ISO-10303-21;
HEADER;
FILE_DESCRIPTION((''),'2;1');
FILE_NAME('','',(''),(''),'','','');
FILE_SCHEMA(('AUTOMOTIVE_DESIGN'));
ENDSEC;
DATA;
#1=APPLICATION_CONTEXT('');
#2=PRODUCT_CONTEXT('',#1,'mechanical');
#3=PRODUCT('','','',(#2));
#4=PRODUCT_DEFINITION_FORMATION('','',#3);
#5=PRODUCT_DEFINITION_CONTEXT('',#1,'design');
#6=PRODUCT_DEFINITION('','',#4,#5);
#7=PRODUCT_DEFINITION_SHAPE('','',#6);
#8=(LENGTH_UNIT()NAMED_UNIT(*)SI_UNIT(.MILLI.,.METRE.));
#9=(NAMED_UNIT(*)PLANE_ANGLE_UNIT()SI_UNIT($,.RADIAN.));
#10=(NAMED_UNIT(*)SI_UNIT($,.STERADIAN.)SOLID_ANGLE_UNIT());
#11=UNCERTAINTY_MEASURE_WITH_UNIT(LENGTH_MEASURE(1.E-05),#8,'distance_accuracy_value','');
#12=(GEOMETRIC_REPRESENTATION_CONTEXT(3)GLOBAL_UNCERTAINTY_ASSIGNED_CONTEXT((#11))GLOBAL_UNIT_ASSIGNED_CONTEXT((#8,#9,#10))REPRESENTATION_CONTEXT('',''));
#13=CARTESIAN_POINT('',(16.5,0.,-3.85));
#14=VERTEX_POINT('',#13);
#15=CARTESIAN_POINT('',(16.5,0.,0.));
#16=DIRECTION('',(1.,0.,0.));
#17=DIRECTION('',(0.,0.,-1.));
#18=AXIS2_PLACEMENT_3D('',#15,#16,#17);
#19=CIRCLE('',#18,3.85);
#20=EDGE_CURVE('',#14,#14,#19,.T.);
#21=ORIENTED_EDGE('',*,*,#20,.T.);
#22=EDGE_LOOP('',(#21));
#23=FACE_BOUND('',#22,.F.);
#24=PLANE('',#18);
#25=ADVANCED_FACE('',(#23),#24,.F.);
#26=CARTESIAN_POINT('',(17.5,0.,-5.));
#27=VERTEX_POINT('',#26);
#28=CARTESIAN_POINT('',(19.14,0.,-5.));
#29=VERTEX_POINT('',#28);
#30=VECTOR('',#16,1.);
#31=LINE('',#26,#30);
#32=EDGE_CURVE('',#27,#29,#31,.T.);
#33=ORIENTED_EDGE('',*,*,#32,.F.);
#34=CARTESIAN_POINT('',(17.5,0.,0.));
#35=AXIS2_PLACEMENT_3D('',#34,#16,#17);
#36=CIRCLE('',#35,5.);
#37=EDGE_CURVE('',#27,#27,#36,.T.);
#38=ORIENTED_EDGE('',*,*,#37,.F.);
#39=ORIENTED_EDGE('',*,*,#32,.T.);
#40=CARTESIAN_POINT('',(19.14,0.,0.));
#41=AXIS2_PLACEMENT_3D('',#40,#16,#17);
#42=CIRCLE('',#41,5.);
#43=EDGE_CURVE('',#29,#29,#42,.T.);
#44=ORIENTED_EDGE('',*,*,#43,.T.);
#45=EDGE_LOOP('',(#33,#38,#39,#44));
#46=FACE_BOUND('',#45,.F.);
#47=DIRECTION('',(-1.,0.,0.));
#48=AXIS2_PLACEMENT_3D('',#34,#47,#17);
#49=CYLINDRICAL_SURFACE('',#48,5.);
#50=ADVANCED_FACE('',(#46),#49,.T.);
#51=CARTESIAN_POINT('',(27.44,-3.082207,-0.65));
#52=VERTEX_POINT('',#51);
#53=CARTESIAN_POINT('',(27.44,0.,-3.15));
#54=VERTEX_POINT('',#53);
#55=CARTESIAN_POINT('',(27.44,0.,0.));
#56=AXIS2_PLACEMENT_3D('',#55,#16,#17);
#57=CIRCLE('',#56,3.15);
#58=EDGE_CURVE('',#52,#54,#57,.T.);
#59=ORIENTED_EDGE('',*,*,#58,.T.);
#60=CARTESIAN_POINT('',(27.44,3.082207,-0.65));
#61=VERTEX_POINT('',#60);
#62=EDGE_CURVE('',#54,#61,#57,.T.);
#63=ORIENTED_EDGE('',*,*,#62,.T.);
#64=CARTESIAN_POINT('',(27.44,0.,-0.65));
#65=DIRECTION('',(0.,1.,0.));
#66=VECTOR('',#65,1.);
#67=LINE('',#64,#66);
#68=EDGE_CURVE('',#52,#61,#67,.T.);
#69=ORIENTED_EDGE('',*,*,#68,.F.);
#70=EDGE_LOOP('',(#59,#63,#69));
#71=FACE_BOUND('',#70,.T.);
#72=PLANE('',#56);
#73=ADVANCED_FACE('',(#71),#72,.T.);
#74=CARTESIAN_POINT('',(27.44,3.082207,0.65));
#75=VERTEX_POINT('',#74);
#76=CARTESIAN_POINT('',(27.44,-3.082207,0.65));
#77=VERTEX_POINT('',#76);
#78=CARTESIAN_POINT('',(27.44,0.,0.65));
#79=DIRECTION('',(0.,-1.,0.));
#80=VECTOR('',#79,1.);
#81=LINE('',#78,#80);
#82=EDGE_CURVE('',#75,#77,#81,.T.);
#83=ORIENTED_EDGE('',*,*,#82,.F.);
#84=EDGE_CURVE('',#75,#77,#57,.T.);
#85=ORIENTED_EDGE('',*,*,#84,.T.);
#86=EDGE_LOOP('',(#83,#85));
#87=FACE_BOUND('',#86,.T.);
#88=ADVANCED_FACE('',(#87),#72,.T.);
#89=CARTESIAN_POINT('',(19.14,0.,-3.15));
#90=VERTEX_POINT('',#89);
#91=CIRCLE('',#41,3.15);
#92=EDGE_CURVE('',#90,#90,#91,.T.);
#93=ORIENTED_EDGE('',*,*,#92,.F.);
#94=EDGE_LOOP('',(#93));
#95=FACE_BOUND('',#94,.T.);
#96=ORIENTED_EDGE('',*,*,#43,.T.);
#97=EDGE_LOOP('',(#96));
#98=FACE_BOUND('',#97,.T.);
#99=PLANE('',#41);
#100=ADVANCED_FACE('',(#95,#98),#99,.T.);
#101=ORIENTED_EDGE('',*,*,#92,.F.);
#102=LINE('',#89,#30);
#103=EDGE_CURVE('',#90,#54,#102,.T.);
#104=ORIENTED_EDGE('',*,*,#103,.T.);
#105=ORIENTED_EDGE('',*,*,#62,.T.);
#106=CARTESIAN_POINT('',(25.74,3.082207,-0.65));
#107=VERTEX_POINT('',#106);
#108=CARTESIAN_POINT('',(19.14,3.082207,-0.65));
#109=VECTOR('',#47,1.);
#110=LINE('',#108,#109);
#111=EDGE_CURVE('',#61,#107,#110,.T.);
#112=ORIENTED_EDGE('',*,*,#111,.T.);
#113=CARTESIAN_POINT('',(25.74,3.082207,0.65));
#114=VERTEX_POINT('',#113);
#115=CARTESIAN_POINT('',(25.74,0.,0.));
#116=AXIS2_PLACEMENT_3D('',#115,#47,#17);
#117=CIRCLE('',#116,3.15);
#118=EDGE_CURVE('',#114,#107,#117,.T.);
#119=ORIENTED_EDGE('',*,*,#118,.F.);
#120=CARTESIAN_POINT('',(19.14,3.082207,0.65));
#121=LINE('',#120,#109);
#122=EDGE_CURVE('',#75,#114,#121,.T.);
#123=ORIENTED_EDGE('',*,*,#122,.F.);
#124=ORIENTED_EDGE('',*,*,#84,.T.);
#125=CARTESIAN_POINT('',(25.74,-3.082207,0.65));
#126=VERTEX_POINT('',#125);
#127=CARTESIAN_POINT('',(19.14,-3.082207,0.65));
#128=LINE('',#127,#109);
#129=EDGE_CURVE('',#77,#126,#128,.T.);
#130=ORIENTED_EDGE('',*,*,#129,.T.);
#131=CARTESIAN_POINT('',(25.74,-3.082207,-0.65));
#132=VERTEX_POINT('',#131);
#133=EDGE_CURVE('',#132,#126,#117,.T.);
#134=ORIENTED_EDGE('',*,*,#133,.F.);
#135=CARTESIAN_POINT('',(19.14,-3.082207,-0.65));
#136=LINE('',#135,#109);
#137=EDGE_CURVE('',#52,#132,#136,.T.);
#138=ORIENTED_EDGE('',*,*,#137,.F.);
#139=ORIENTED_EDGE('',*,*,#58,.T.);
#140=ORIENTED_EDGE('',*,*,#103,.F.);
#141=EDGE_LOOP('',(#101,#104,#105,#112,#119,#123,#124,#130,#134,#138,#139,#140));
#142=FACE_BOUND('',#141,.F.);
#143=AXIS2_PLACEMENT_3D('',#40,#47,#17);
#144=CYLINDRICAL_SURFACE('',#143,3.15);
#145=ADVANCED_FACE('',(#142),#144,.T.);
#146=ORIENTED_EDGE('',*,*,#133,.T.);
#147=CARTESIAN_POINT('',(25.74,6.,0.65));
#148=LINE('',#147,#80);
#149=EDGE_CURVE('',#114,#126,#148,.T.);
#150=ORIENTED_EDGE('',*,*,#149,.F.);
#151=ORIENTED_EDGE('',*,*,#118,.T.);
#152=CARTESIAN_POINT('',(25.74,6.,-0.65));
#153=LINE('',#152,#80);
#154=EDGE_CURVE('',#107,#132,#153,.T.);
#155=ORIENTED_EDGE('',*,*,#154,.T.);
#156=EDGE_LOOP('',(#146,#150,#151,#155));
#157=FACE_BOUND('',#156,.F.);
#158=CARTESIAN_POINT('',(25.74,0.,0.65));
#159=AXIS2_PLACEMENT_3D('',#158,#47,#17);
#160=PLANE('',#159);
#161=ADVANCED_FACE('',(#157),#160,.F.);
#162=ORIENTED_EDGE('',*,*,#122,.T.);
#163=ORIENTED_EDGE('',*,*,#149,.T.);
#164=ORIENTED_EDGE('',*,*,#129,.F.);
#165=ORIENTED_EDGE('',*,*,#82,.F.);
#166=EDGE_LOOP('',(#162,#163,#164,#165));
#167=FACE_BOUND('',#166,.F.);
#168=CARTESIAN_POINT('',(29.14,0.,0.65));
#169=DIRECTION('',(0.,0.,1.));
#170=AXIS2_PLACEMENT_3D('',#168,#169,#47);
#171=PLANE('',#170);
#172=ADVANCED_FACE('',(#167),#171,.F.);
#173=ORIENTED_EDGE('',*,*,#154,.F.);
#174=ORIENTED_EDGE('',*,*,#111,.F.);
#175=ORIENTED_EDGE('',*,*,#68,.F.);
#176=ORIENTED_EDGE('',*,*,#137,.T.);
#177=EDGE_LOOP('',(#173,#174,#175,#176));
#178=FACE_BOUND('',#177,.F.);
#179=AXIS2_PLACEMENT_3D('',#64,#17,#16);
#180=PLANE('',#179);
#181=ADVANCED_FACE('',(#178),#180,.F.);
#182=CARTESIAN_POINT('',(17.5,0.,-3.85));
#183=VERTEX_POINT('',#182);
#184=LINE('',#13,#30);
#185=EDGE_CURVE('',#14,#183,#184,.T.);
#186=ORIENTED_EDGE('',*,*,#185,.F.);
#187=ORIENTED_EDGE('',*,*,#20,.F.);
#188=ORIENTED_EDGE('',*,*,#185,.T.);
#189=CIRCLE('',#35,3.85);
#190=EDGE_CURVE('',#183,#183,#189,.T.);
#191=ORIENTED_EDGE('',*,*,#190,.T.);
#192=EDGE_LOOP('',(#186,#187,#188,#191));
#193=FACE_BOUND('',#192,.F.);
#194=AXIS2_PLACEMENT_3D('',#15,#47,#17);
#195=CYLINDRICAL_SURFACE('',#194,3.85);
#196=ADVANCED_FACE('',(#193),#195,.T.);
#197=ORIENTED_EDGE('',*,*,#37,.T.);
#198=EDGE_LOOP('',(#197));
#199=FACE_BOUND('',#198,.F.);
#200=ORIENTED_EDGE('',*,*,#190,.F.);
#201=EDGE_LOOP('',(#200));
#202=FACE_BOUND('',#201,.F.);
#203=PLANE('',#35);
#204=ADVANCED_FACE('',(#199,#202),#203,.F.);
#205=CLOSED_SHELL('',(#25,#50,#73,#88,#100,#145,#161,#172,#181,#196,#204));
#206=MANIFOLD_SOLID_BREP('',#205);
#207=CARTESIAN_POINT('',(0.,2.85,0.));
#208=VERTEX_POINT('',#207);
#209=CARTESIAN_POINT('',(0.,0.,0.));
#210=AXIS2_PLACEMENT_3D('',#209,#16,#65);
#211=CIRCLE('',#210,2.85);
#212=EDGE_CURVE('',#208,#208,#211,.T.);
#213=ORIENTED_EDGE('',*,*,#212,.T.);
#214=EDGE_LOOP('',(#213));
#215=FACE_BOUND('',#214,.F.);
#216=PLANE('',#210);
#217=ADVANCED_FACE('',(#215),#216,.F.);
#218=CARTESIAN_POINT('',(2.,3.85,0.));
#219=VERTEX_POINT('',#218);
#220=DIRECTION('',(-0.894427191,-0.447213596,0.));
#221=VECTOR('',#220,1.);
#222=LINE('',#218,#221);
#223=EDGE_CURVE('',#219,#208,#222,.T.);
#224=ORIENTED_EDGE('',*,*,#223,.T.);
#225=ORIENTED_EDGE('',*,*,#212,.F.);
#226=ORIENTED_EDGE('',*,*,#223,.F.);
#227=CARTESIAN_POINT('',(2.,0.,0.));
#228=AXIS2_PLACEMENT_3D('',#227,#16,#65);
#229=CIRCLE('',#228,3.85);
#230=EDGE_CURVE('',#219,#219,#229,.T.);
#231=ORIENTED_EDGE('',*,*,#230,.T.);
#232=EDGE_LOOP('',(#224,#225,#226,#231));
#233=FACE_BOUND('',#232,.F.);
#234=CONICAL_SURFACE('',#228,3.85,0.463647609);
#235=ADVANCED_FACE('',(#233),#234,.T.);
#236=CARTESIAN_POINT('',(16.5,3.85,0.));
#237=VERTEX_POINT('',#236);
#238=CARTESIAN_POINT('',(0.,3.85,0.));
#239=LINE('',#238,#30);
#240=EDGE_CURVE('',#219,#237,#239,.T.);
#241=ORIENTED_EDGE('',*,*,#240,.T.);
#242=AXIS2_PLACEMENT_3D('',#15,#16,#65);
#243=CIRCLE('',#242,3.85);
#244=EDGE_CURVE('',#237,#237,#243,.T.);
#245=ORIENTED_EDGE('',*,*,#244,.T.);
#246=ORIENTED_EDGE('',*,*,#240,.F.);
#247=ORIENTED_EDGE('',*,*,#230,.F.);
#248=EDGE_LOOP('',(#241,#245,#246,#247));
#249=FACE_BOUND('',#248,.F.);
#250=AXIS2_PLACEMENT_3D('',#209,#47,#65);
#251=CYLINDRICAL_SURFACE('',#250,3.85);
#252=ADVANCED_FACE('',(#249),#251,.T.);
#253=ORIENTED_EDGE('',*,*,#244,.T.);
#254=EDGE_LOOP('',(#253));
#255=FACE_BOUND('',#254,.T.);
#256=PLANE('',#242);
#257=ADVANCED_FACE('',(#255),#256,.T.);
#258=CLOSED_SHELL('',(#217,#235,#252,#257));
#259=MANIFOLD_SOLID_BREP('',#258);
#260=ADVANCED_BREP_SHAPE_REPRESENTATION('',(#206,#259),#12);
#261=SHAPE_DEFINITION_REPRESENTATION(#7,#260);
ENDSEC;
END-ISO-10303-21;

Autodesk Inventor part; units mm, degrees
ref_plane "YZ Plane" through (0, 0, 0) normal (1, 0, 0) x (0, 1, 0)
ref_plane "XZ Plane" through (0, 0, 0) normal (0, 1, 0) x (-1, 0, 0)
ref_plane "XY Plane" through (0, 0, 0) normal (0, 0, 1) x (1, 0, 0)
sketch "Sketch1" plane through (0, 0, 0) normal (1, 0, 0) x (0, 1, 0)
  circle A0 centre (0, 0) radius 3.85
  dimension "d0" = 7.7
extrude "Extrusion1" add sketch "Sketch1" along normal blind 16.5
chamfer "Chamfer1" distance 2 distance2 1 1 edges at (0, -3.85, 0) measured on face at (11, 3.8375, -0.3098)
thread "Thread1" size "M8x1.25" class "6g" standard "ANSI Metric M Profile" full length
sketch "Sketch2" plane through (16.5, 0, 0) normal (1, 0, 0) x (0, 0, -1)
  circle A0 centre (0, 0) radius 3.85 projected
extrude "Extrusion2" add sketch "Sketch2" along normal blind 1 separate body
sketch "Sketch3" plane through (17.5, 0, 0) normal (1, 0, 0) x (0, 0, -1)
  circle A0 centre (0, 0) radius 5
  dimension "d10" = 10
extrude "Extrusion3" add sketch "Sketch3" along normal blind 1.64 bodies 2
sketch "Sketch4" plane through (19.14, 0, 0) normal (1, 0, 0) x (0, 0, -1)
  circle A0 centre (0, 0) radius 3.15
  dimension "d13" = 6.3
extrude "Extrusion4" add sketch "Sketch4" along normal blind 8.3 bodies 2
sketch "Sketch5" plane through (0, 0, 0) normal (0, 1, 0) x (-1, 0, 0)
  line L0 (-29.14, 0.65) -> (-25.74, 0.65)
  line L1 (-25.74, 0.65) -> (-25.74, -0.65)
  line L2 (-25.74, -0.65) -> (-29.14, -0.65)
  line L3 (-29.14, -0.65) -> (-29.14, 0.65)
  line L4 (-27.44, 3.15) -> (-27.44, -3.15) projected
  line L5 (-29.14, 0.65) -> (-25.74, -0.65) construction
  line L6 (-25.74, 0.65) -> (-29.14, -0.65) construction
  point P0 (0, 0)
  point P1 (-27.44, 0)
  dimension "d16" = 3.4
  dimension "d17" = 1.3
extrude "Extrusion5" cut sketch "Sketch5" along normal through all both and the other way through all bodies 2
properties part number "Parafuso da Ponte" material "Aluminum 6061"
